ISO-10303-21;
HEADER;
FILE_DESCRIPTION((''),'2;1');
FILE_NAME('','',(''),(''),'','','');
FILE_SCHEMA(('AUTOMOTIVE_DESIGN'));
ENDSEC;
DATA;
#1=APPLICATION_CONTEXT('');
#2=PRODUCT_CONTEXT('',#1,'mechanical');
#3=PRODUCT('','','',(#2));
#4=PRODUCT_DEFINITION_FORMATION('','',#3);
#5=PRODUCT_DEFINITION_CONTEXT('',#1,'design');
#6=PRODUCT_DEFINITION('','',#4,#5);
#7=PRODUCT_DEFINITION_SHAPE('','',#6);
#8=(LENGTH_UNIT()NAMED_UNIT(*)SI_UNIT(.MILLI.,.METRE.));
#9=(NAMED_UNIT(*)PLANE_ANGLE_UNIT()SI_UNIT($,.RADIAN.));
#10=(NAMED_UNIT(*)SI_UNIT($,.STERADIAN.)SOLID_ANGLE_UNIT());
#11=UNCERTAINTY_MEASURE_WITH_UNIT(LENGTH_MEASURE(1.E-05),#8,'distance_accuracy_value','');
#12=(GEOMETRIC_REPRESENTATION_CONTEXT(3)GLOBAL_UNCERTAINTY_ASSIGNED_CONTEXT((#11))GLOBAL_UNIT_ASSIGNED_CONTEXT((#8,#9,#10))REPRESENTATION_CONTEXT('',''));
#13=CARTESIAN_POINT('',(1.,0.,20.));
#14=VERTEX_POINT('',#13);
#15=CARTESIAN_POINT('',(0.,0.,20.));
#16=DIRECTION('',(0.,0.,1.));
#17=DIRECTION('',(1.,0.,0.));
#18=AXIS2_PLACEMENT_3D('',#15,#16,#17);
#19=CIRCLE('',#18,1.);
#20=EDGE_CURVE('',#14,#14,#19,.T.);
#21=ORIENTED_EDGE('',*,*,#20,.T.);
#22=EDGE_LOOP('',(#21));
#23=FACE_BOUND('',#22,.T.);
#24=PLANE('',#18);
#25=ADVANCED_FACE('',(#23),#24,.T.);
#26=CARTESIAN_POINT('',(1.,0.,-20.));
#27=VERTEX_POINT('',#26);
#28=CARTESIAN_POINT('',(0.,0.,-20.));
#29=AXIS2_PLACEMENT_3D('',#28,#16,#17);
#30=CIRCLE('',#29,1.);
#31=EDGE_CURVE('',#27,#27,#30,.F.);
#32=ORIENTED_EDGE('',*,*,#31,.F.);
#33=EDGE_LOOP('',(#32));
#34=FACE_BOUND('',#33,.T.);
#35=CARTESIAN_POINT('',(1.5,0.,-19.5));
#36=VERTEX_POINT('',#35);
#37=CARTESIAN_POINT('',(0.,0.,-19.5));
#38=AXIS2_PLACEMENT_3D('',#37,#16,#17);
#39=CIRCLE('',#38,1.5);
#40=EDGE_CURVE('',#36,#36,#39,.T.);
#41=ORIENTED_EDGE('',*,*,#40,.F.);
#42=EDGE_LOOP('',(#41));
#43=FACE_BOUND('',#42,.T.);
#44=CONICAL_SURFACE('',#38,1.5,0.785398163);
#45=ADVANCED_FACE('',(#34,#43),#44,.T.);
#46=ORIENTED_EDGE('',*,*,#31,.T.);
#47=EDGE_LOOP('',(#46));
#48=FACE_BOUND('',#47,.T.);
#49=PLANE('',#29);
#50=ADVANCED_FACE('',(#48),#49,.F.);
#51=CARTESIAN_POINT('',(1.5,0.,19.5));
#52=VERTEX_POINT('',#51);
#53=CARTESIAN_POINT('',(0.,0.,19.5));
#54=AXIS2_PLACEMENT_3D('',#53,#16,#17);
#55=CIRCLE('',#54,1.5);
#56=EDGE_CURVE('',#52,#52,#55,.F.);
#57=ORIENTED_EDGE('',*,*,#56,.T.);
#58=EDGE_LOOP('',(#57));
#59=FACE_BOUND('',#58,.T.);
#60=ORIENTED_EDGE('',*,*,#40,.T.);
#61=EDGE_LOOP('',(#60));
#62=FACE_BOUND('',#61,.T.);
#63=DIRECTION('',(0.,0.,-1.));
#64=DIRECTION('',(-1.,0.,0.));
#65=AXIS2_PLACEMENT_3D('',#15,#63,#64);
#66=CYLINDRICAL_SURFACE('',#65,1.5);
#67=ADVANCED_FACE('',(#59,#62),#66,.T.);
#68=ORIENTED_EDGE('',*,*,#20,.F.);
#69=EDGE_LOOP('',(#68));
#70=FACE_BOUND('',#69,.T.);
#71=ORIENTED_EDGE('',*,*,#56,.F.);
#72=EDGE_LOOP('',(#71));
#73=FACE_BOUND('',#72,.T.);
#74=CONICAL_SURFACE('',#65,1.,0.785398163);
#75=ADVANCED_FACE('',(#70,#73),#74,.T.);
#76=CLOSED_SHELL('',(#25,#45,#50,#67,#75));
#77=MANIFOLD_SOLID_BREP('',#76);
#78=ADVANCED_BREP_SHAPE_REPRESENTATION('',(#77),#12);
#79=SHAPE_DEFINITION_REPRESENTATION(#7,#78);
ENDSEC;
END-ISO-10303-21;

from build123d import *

# Parameters (mm, degrees)
SKETCH1_R     = 1.5
BODY_DEPTH    = 20
CHAMFER1_SIZE = 0.5


with BuildPart() as part:
    # Sketch1 → Body (new body, symmetric)
    with BuildSketch(Plane.XY):
        Circle(SKETCH1_R)
    extrude(amount=BODY_DEPTH, both=True)

    # Chamfer1
    chamfer1_edges = [part.edges().sort_by_distance(p)[0] for p in [
        (-1.5, 0, -20),
        (-1.5, 0, 20),
    ]]
    chamfer(chamfer1_edges, length=CHAMFER1_SIZE)


solid = part.part
